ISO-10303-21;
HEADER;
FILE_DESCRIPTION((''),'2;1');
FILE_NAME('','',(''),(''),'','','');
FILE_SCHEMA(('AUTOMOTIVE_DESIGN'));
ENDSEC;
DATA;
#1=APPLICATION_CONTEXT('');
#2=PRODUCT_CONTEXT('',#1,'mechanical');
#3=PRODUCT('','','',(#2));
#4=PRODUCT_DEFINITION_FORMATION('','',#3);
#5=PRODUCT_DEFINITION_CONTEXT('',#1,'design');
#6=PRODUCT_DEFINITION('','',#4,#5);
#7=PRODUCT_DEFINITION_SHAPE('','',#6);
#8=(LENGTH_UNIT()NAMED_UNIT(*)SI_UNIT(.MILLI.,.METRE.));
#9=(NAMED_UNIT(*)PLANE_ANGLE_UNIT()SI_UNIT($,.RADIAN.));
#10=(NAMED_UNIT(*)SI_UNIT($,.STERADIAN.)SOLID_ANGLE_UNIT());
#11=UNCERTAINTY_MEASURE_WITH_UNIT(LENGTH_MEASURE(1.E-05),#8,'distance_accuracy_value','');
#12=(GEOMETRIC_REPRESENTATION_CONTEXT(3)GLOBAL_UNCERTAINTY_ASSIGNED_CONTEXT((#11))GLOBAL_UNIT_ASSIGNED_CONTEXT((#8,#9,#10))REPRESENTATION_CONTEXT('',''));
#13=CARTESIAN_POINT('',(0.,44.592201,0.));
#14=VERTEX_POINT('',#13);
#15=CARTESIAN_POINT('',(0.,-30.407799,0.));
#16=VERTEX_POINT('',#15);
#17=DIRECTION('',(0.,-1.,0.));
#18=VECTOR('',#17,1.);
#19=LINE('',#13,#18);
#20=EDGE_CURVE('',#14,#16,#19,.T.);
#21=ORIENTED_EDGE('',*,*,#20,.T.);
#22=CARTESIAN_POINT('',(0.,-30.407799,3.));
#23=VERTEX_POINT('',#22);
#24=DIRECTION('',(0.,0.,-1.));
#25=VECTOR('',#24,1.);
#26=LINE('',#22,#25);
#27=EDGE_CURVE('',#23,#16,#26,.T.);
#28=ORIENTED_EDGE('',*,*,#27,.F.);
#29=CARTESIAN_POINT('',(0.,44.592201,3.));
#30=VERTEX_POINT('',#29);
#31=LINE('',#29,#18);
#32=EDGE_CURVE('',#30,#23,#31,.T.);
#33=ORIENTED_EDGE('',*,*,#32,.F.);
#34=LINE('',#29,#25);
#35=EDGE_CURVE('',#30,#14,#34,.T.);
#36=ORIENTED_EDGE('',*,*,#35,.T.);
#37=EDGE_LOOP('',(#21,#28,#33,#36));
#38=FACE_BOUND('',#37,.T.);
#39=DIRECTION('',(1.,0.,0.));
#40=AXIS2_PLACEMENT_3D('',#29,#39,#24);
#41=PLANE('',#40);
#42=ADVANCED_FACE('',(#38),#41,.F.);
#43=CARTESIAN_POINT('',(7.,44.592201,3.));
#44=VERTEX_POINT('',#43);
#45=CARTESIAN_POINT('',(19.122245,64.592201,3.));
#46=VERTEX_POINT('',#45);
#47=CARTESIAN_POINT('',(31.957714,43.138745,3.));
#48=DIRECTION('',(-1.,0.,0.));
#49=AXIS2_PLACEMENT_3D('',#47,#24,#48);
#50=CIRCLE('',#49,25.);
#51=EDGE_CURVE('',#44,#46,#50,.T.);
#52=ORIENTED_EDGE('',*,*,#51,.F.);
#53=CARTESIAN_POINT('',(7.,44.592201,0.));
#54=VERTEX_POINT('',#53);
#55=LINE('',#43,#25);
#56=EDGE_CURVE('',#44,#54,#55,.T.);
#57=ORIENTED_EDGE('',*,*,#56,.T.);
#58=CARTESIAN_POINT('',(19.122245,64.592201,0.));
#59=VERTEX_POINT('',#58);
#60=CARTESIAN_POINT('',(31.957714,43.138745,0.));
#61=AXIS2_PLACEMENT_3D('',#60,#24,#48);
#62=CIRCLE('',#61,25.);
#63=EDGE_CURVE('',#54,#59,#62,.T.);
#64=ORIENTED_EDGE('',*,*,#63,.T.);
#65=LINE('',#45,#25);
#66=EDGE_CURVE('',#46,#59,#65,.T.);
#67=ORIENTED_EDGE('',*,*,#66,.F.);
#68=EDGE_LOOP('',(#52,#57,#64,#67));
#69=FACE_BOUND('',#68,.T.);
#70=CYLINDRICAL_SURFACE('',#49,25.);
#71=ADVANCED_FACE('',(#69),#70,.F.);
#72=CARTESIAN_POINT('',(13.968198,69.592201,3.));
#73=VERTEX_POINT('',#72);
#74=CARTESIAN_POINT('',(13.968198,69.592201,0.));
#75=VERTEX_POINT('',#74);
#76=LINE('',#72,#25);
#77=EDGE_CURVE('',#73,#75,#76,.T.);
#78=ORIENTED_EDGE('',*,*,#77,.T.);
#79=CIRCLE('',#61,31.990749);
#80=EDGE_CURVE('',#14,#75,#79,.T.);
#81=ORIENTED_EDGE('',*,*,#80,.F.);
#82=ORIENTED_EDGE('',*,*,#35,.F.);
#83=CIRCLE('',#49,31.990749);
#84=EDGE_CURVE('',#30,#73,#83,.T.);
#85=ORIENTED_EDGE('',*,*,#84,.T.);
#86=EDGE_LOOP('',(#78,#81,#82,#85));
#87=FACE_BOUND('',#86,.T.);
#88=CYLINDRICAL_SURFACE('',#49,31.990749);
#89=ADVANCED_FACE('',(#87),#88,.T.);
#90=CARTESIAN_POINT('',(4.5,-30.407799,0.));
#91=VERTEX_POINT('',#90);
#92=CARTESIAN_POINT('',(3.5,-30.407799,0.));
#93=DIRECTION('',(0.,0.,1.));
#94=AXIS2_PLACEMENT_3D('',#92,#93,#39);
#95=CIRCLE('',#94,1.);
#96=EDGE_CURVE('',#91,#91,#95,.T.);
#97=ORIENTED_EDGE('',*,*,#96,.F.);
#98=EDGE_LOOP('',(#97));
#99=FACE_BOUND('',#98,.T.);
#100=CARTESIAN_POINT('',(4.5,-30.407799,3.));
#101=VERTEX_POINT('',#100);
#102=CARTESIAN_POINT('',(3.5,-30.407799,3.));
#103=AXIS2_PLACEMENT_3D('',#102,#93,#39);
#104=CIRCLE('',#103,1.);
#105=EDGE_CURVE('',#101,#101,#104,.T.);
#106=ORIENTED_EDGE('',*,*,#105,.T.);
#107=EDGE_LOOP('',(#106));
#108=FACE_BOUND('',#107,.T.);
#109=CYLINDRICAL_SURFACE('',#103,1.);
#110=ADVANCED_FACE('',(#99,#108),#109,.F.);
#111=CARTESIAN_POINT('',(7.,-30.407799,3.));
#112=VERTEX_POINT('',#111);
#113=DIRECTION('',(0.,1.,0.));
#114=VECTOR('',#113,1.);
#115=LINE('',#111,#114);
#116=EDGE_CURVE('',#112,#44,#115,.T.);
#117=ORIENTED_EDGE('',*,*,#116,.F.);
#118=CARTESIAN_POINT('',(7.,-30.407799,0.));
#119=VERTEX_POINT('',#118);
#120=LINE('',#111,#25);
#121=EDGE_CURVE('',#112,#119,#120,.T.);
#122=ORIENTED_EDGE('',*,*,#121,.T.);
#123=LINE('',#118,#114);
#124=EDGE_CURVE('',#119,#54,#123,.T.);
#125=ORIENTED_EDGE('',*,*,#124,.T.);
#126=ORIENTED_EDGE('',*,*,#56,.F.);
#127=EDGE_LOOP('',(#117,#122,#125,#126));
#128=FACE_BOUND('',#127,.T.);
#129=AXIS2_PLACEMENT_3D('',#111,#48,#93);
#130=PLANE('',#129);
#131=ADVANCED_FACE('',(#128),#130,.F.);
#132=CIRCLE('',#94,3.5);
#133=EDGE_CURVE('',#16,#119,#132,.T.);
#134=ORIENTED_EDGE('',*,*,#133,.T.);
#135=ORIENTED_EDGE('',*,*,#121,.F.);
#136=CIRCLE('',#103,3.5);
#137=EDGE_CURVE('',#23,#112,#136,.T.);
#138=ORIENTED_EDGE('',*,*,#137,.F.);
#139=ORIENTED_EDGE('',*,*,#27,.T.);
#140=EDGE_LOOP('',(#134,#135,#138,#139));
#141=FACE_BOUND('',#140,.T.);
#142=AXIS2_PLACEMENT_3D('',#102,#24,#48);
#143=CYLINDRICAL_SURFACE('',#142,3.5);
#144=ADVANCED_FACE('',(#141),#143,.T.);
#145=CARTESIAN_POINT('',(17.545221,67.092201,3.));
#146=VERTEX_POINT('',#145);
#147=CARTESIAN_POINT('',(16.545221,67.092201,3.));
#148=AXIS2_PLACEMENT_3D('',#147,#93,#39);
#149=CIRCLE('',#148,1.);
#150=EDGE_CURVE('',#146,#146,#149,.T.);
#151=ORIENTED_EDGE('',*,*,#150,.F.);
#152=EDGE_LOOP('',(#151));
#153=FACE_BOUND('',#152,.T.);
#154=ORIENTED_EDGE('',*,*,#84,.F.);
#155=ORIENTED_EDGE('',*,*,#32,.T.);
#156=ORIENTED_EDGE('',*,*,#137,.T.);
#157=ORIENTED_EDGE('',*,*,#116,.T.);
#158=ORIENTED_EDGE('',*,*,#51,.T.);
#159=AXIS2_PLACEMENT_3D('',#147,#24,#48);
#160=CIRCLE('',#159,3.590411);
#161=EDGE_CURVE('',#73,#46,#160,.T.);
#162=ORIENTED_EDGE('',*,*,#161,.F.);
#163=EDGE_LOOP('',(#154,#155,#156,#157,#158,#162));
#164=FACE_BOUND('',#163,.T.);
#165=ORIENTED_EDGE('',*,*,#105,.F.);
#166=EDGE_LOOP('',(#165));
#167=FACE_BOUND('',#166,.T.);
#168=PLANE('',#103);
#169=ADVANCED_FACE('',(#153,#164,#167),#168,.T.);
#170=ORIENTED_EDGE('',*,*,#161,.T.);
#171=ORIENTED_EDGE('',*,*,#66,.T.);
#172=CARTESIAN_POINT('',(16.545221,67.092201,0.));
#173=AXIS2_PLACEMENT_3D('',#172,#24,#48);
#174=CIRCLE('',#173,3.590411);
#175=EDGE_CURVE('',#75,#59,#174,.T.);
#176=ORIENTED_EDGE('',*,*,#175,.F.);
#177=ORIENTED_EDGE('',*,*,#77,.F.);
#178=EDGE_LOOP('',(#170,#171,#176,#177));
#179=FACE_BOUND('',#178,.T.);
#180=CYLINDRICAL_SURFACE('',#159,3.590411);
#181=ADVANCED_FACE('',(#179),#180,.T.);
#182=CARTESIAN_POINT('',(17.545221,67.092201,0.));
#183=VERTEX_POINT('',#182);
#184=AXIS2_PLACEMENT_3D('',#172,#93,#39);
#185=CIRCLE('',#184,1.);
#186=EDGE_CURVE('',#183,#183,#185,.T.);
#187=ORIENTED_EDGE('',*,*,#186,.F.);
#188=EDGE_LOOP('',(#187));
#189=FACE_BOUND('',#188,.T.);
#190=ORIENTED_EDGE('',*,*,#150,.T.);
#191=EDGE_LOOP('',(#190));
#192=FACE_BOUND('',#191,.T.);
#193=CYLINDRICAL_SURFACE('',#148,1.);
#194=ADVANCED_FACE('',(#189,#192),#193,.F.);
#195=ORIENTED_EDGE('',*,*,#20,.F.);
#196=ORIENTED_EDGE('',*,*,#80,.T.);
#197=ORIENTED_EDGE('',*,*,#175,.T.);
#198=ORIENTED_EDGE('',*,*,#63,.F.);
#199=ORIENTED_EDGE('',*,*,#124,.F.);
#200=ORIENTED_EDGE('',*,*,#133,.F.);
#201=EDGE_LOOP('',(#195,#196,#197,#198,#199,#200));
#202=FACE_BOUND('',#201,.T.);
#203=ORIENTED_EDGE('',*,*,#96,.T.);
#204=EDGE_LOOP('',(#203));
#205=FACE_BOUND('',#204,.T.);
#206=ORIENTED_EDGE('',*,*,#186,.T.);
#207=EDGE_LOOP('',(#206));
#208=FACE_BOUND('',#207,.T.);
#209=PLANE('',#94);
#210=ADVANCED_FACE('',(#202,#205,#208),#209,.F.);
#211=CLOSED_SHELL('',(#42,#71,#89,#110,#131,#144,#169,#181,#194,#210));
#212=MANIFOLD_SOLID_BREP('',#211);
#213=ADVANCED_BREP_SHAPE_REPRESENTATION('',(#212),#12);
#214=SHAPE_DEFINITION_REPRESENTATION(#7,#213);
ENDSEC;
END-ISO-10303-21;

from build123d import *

# Parameters (mm, degrees)
BOSS_EXTRU_1_DEPTH            = 3
TROU_DE_PASSAGE_D_AXE_3_321_D = 2
TROU_DE_PASSAGE_D_AXE_3_322_D = 2


with BuildPart() as part:
    # Esquisse1 → Boss.-Extru.1 (new body)
    with BuildSketch(Plane.XY):
        with BuildLine():
            Line((0, 44.592200572), (0, -30.407799428))
            ThreePointArc((0, -30.407799428), (3.5, -33.907799428), (7, -30.407799428))
            Line((7, -30.407799428), (7, 44.592200572))
            ThreePointArc((7, 44.592200572), (10.5782573, 56.097095666), (19.122245191, 64.592200572))
            ThreePointArc((19.122245191, 64.592200572), (19.045221408, 69.669224354), (13.968197626, 69.592200572))
            ThreePointArc((13.968197626, 69.592200572), (4.030461038, 58.742480417), (0, 44.592200572))
        make_face()
    extrude(amount=BOSS_EXTRU_1_DEPTH)

    # Trou de passage d'axe 3/321 (through all)
    with Locations(Plane(origin=(16.545221408, 67.092200572, 3), x_dir=(1, 0, 0), z_dir=(0, 0, 1))):
        with Locations((0, 0)):
            Hole(TROU_DE_PASSAGE_D_AXE_3_321_D / 2)

    # Trou de passage d'axe 3/322 (through all)
    with Locations(Plane(origin=(3.5, -30.407799428, 3), x_dir=(1, 0, 0), z_dir=(0, 0, 1))):
        with Locations((0, 0)):
            Hole(TROU_DE_PASSAGE_D_AXE_3_322_D / 2)


solid = part.part
